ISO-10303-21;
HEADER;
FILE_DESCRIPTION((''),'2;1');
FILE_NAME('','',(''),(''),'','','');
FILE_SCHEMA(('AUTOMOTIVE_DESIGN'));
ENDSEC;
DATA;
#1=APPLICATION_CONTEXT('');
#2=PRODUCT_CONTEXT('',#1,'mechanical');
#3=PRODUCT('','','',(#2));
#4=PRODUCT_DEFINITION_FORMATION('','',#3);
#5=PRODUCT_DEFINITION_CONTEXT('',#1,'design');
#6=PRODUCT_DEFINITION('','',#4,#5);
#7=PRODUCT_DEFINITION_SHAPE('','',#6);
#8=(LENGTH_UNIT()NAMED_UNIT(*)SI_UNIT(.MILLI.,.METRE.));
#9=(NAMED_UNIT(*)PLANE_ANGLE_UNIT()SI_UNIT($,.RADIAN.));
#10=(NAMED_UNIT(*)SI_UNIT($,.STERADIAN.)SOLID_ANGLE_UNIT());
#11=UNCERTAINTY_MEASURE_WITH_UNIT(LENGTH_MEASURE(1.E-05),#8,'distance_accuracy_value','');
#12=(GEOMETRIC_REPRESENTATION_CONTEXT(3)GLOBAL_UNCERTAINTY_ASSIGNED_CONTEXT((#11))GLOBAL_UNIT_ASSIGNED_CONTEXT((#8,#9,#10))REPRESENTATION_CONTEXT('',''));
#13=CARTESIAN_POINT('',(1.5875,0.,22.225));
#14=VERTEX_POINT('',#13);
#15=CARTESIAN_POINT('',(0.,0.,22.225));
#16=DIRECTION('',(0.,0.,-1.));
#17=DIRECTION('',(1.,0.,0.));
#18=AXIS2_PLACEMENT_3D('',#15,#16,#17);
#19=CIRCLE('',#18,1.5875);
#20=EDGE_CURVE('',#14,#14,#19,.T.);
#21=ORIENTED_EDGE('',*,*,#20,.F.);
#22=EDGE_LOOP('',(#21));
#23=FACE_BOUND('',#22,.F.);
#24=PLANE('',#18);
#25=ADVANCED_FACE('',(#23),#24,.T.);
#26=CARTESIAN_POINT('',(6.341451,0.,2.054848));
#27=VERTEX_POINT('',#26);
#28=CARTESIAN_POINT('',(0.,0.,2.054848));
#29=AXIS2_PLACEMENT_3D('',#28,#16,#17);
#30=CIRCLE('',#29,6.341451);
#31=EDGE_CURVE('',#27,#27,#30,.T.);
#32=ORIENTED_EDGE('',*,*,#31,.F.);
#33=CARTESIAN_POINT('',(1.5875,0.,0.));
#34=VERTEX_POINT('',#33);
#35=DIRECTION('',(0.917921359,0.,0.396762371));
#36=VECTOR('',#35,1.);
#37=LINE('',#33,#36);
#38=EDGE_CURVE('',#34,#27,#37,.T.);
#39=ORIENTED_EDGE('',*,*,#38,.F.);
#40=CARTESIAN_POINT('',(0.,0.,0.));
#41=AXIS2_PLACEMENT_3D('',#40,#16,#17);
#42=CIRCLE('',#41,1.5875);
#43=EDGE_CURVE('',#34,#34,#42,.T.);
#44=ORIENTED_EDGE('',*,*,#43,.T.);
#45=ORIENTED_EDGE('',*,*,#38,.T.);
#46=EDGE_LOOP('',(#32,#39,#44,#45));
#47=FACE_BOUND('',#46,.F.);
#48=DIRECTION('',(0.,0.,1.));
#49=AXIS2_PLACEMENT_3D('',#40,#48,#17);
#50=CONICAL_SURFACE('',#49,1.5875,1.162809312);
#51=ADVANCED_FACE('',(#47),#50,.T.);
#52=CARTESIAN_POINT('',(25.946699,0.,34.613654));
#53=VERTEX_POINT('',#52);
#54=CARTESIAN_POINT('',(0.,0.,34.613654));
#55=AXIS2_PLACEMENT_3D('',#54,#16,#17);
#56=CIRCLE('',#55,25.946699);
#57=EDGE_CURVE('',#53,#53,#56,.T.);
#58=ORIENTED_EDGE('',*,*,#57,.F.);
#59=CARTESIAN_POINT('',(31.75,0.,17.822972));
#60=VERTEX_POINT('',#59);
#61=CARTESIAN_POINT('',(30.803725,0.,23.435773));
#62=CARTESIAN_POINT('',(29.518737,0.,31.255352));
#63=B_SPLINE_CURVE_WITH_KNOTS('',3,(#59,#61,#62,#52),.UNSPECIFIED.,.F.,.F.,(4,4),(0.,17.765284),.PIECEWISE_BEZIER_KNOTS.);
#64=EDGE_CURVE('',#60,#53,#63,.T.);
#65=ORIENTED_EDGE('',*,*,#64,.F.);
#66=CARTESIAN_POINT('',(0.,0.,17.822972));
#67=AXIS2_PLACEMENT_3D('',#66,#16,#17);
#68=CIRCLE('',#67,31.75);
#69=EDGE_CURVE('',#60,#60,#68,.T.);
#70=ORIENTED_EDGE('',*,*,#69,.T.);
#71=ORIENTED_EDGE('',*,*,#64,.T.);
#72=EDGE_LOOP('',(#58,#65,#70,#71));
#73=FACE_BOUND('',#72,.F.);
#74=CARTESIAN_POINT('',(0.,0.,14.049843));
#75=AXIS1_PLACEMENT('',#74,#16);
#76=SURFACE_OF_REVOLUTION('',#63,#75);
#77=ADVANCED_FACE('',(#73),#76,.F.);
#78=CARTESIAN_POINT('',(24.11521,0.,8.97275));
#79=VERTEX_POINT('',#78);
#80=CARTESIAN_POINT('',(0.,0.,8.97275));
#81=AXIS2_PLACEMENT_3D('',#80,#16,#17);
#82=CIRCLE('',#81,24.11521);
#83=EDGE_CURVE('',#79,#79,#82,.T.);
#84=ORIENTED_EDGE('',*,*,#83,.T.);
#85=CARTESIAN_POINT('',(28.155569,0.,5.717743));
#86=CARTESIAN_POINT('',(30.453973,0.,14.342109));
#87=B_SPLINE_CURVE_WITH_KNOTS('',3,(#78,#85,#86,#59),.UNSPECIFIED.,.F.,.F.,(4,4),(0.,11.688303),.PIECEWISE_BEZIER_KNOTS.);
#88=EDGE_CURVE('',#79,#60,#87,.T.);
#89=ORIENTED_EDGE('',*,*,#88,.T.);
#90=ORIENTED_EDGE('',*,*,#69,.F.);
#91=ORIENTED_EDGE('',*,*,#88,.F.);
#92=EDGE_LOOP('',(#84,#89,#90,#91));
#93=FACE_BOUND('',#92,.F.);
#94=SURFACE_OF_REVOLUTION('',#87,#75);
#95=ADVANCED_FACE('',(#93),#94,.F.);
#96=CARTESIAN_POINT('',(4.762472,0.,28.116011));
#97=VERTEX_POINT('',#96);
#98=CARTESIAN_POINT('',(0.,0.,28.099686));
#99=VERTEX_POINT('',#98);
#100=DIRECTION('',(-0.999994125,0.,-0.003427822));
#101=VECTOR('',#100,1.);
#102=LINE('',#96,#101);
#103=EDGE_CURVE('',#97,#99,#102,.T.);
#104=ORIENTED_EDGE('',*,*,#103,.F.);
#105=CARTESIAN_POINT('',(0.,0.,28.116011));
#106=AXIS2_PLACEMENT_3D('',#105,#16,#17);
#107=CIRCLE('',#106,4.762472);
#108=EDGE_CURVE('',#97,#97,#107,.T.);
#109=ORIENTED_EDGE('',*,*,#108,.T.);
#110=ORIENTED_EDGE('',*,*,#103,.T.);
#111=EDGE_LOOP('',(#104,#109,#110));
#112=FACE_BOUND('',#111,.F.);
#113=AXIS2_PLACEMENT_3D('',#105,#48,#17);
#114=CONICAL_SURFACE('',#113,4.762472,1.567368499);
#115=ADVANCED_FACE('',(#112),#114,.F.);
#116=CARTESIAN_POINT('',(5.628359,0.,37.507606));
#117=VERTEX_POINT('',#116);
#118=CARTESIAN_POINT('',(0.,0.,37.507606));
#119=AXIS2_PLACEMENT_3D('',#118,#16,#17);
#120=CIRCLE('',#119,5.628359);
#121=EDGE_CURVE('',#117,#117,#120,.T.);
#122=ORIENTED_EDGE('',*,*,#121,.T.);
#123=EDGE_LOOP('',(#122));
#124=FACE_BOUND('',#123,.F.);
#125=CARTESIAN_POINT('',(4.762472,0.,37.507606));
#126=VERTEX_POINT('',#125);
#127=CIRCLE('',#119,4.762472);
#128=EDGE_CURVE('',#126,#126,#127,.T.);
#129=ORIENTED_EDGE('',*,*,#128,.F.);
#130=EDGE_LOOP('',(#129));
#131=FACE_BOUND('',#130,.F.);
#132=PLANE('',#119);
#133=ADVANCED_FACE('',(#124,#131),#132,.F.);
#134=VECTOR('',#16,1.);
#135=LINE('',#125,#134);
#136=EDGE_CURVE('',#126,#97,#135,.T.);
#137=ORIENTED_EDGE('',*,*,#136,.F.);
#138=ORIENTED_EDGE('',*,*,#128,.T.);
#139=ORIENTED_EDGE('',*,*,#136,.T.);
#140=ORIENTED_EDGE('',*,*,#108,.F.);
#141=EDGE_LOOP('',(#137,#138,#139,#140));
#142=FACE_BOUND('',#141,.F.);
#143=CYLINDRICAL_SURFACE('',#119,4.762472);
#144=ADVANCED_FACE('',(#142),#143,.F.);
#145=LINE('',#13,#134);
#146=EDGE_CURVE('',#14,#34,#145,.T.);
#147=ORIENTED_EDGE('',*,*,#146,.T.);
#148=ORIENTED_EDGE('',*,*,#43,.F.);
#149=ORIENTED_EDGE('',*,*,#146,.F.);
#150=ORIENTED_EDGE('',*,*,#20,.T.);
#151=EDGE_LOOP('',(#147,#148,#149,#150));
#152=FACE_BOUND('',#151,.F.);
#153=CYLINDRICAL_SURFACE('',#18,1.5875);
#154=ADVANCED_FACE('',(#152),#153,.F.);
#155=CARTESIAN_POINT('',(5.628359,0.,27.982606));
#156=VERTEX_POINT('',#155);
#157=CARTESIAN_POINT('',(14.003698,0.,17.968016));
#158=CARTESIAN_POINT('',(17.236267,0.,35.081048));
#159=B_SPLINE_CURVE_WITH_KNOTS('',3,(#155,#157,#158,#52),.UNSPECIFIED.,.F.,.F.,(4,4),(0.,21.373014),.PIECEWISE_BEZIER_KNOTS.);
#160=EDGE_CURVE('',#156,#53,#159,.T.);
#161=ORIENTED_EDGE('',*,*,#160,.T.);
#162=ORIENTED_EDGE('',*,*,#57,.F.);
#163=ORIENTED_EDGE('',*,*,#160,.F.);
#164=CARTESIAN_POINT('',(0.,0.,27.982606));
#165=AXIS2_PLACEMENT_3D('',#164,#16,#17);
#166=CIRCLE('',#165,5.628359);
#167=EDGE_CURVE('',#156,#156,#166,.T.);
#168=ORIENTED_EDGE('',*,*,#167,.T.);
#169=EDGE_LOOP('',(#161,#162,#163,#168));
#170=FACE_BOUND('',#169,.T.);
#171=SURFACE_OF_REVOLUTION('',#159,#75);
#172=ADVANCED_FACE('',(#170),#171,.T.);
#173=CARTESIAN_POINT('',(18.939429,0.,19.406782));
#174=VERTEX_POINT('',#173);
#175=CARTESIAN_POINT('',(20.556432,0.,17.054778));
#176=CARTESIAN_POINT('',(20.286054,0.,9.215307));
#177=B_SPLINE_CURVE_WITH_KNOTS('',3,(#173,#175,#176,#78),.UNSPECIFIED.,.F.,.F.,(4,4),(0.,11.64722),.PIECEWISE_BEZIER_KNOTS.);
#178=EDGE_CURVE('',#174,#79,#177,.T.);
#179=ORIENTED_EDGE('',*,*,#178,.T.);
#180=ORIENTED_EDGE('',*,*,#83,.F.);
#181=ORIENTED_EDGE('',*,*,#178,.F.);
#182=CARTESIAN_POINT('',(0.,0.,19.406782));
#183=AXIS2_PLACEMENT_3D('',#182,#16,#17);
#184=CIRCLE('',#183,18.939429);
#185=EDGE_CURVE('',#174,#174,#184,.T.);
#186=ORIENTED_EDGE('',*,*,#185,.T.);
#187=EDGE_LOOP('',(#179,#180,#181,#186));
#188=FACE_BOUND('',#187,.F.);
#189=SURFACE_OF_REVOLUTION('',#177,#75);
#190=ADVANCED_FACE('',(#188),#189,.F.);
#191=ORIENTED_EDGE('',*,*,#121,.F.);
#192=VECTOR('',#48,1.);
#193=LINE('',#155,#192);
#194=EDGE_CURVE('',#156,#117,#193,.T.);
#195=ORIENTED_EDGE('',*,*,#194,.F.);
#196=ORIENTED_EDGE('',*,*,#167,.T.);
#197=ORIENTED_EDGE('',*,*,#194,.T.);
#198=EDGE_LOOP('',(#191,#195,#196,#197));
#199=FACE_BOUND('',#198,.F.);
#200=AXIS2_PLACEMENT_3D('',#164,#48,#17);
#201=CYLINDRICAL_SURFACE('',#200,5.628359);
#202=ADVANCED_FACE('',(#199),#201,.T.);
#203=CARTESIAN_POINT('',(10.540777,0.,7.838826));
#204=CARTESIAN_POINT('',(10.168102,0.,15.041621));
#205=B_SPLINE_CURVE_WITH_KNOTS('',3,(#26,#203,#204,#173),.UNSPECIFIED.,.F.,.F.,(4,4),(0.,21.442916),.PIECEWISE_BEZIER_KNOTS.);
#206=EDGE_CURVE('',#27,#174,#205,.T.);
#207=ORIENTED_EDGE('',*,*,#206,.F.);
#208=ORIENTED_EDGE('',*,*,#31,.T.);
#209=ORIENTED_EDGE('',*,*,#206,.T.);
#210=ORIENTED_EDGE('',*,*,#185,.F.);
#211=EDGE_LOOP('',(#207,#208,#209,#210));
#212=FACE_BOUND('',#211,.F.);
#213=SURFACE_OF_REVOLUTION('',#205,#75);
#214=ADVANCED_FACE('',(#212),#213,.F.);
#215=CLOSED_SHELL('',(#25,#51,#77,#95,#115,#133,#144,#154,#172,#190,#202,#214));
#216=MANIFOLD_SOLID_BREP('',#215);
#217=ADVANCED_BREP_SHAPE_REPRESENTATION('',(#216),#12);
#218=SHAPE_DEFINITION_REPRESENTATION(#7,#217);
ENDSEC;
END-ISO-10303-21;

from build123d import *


with BuildPart() as f1:
    # F0 (on Front) → F1 (revolve)
    with BuildSketch(Plane.XZ):
        with BuildLine():
            Line((0, 28.099686), (0, 22.225))
            Line((0, 22.225), (1.5875, 22.225))
            Line((1.5875, 22.225), (1.5875, 0))
            Line((1.5875, 0), (6.341451, 2.054848))
            add(Edge.make_bspline(
                [(6.341451, 2.054848), (10.540777, 7.838826), (10.168102, 15.041621), (18.939429, 19.406782)],
                knots=[0, 0, 0, 0, 21.442916, 21.442916, 21.442916, 21.442916], degree=3))
            add(Edge.make_bspline(
                [(18.939429, 19.406782), (20.556432, 17.054778), (20.286054, 9.215307), (24.11521, 8.97275)],
                knots=[0, 0, 0, 0, 11.64722, 11.64722, 11.64722, 11.64722], degree=3))
            add(Edge.make_bspline(
                [(24.11521, 8.97275), (28.155569, 5.717743), (30.453973, 14.342109), (31.75, 17.822972)],
                knots=[0, 0, 0, 0, 11.688303, 11.688303, 11.688303, 11.688303], degree=3))
            add(Edge.make_bspline(
                [(31.75, 17.822972), (30.803725, 23.435773), (29.518737, 31.255352), (25.946699, 34.613654)],
                knots=[0, 0, 0, 0, 17.765284, 17.765284, 17.765284, 17.765284], degree=3))
            add(Edge.make_bspline(
                [(5.628359, 27.982606), (14.003698, 17.968016), (17.236267, 35.081048), (25.946699, 34.613654)],
                knots=[0, 0, 0, 0, 21.373014, 21.373014, 21.373014, 21.373014], degree=3))
            Line((5.628359, 27.982606), (5.628359, 37.507606))
            Line((5.628359, 37.507606), (4.762472, 37.507606))
            Line((4.762472, 37.507606), (4.762472, 28.116011))
            Line((4.762472, 28.116011), (0, 28.099686))
        make_face()
    revolve(axis=Axis((0, 0, 14.049843), (0, 0, -1)))


solid = f1.part
